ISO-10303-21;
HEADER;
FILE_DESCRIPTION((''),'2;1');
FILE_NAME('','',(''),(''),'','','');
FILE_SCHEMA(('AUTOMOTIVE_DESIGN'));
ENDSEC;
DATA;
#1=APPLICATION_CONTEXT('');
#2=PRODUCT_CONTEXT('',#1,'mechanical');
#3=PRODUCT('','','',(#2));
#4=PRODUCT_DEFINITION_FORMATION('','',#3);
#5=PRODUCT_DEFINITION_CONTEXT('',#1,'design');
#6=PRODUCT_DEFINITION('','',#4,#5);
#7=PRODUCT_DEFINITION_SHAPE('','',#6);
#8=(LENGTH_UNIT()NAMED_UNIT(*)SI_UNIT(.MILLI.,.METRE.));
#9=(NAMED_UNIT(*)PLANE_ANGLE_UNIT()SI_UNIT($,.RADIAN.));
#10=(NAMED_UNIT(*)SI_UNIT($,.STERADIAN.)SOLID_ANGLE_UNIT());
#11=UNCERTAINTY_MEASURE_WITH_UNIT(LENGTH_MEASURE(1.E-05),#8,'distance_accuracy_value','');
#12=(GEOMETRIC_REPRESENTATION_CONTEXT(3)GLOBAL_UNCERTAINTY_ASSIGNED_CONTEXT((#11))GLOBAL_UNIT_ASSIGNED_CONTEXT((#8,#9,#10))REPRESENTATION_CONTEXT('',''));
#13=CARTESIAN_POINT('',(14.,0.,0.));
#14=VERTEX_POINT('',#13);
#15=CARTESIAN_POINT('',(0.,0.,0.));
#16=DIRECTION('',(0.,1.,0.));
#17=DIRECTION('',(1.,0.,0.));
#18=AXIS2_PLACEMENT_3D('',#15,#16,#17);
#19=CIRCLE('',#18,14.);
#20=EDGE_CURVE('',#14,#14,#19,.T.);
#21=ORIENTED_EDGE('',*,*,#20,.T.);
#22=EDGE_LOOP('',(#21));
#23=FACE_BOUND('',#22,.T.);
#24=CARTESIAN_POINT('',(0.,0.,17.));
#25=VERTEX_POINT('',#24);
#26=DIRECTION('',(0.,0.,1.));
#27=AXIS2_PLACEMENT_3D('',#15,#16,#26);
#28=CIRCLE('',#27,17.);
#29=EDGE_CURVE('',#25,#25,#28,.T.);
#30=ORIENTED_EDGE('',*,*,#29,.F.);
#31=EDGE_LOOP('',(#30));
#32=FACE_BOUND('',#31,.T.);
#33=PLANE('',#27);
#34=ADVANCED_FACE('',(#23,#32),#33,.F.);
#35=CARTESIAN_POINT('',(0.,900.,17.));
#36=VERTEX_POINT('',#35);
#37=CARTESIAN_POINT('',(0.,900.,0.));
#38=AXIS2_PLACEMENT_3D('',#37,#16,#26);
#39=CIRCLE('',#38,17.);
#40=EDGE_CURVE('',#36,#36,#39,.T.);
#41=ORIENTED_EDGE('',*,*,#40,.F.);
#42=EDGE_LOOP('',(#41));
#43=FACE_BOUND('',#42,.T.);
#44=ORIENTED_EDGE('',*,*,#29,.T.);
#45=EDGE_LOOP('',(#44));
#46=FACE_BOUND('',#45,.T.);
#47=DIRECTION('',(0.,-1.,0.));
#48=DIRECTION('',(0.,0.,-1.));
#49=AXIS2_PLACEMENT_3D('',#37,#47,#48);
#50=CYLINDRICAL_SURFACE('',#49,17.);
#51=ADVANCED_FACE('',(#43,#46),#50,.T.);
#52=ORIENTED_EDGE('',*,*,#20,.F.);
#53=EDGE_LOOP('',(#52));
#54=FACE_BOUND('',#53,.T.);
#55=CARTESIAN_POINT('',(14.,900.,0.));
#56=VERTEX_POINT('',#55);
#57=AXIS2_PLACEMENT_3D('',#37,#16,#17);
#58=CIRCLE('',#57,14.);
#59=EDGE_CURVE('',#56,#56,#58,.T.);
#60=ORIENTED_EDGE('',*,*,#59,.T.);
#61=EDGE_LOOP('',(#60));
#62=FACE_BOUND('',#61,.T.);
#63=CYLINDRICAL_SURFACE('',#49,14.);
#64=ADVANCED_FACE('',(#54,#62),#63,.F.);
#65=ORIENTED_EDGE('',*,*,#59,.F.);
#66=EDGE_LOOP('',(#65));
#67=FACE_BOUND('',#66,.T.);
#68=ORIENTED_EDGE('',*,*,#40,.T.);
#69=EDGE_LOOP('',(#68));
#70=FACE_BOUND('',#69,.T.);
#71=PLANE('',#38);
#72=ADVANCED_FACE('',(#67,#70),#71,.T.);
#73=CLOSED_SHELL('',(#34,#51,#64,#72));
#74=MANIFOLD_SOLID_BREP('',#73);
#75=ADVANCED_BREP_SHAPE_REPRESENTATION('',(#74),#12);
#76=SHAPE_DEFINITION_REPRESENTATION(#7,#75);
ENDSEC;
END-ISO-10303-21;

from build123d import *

# Parameters (mm, degrees)
SKETCH_1_R      = 17
SKETCH_1_R_2    = 14
EXTRUDE_1_DEPTH = 900


with BuildPart() as part:
    # Эскиз1 → Вытянуть-Тонкостенный1 (new body)
    with BuildSketch(Plane(origin=(0, 0, 0), x_dir=(1, 0, 0), z_dir=(0, 1, 0))):
        Circle(SKETCH_1_R)
        Circle(SKETCH_1_R_2, mode=Mode.SUBTRACT)
    extrude(amount=EXTRUDE_1_DEPTH)


solid = part.part
